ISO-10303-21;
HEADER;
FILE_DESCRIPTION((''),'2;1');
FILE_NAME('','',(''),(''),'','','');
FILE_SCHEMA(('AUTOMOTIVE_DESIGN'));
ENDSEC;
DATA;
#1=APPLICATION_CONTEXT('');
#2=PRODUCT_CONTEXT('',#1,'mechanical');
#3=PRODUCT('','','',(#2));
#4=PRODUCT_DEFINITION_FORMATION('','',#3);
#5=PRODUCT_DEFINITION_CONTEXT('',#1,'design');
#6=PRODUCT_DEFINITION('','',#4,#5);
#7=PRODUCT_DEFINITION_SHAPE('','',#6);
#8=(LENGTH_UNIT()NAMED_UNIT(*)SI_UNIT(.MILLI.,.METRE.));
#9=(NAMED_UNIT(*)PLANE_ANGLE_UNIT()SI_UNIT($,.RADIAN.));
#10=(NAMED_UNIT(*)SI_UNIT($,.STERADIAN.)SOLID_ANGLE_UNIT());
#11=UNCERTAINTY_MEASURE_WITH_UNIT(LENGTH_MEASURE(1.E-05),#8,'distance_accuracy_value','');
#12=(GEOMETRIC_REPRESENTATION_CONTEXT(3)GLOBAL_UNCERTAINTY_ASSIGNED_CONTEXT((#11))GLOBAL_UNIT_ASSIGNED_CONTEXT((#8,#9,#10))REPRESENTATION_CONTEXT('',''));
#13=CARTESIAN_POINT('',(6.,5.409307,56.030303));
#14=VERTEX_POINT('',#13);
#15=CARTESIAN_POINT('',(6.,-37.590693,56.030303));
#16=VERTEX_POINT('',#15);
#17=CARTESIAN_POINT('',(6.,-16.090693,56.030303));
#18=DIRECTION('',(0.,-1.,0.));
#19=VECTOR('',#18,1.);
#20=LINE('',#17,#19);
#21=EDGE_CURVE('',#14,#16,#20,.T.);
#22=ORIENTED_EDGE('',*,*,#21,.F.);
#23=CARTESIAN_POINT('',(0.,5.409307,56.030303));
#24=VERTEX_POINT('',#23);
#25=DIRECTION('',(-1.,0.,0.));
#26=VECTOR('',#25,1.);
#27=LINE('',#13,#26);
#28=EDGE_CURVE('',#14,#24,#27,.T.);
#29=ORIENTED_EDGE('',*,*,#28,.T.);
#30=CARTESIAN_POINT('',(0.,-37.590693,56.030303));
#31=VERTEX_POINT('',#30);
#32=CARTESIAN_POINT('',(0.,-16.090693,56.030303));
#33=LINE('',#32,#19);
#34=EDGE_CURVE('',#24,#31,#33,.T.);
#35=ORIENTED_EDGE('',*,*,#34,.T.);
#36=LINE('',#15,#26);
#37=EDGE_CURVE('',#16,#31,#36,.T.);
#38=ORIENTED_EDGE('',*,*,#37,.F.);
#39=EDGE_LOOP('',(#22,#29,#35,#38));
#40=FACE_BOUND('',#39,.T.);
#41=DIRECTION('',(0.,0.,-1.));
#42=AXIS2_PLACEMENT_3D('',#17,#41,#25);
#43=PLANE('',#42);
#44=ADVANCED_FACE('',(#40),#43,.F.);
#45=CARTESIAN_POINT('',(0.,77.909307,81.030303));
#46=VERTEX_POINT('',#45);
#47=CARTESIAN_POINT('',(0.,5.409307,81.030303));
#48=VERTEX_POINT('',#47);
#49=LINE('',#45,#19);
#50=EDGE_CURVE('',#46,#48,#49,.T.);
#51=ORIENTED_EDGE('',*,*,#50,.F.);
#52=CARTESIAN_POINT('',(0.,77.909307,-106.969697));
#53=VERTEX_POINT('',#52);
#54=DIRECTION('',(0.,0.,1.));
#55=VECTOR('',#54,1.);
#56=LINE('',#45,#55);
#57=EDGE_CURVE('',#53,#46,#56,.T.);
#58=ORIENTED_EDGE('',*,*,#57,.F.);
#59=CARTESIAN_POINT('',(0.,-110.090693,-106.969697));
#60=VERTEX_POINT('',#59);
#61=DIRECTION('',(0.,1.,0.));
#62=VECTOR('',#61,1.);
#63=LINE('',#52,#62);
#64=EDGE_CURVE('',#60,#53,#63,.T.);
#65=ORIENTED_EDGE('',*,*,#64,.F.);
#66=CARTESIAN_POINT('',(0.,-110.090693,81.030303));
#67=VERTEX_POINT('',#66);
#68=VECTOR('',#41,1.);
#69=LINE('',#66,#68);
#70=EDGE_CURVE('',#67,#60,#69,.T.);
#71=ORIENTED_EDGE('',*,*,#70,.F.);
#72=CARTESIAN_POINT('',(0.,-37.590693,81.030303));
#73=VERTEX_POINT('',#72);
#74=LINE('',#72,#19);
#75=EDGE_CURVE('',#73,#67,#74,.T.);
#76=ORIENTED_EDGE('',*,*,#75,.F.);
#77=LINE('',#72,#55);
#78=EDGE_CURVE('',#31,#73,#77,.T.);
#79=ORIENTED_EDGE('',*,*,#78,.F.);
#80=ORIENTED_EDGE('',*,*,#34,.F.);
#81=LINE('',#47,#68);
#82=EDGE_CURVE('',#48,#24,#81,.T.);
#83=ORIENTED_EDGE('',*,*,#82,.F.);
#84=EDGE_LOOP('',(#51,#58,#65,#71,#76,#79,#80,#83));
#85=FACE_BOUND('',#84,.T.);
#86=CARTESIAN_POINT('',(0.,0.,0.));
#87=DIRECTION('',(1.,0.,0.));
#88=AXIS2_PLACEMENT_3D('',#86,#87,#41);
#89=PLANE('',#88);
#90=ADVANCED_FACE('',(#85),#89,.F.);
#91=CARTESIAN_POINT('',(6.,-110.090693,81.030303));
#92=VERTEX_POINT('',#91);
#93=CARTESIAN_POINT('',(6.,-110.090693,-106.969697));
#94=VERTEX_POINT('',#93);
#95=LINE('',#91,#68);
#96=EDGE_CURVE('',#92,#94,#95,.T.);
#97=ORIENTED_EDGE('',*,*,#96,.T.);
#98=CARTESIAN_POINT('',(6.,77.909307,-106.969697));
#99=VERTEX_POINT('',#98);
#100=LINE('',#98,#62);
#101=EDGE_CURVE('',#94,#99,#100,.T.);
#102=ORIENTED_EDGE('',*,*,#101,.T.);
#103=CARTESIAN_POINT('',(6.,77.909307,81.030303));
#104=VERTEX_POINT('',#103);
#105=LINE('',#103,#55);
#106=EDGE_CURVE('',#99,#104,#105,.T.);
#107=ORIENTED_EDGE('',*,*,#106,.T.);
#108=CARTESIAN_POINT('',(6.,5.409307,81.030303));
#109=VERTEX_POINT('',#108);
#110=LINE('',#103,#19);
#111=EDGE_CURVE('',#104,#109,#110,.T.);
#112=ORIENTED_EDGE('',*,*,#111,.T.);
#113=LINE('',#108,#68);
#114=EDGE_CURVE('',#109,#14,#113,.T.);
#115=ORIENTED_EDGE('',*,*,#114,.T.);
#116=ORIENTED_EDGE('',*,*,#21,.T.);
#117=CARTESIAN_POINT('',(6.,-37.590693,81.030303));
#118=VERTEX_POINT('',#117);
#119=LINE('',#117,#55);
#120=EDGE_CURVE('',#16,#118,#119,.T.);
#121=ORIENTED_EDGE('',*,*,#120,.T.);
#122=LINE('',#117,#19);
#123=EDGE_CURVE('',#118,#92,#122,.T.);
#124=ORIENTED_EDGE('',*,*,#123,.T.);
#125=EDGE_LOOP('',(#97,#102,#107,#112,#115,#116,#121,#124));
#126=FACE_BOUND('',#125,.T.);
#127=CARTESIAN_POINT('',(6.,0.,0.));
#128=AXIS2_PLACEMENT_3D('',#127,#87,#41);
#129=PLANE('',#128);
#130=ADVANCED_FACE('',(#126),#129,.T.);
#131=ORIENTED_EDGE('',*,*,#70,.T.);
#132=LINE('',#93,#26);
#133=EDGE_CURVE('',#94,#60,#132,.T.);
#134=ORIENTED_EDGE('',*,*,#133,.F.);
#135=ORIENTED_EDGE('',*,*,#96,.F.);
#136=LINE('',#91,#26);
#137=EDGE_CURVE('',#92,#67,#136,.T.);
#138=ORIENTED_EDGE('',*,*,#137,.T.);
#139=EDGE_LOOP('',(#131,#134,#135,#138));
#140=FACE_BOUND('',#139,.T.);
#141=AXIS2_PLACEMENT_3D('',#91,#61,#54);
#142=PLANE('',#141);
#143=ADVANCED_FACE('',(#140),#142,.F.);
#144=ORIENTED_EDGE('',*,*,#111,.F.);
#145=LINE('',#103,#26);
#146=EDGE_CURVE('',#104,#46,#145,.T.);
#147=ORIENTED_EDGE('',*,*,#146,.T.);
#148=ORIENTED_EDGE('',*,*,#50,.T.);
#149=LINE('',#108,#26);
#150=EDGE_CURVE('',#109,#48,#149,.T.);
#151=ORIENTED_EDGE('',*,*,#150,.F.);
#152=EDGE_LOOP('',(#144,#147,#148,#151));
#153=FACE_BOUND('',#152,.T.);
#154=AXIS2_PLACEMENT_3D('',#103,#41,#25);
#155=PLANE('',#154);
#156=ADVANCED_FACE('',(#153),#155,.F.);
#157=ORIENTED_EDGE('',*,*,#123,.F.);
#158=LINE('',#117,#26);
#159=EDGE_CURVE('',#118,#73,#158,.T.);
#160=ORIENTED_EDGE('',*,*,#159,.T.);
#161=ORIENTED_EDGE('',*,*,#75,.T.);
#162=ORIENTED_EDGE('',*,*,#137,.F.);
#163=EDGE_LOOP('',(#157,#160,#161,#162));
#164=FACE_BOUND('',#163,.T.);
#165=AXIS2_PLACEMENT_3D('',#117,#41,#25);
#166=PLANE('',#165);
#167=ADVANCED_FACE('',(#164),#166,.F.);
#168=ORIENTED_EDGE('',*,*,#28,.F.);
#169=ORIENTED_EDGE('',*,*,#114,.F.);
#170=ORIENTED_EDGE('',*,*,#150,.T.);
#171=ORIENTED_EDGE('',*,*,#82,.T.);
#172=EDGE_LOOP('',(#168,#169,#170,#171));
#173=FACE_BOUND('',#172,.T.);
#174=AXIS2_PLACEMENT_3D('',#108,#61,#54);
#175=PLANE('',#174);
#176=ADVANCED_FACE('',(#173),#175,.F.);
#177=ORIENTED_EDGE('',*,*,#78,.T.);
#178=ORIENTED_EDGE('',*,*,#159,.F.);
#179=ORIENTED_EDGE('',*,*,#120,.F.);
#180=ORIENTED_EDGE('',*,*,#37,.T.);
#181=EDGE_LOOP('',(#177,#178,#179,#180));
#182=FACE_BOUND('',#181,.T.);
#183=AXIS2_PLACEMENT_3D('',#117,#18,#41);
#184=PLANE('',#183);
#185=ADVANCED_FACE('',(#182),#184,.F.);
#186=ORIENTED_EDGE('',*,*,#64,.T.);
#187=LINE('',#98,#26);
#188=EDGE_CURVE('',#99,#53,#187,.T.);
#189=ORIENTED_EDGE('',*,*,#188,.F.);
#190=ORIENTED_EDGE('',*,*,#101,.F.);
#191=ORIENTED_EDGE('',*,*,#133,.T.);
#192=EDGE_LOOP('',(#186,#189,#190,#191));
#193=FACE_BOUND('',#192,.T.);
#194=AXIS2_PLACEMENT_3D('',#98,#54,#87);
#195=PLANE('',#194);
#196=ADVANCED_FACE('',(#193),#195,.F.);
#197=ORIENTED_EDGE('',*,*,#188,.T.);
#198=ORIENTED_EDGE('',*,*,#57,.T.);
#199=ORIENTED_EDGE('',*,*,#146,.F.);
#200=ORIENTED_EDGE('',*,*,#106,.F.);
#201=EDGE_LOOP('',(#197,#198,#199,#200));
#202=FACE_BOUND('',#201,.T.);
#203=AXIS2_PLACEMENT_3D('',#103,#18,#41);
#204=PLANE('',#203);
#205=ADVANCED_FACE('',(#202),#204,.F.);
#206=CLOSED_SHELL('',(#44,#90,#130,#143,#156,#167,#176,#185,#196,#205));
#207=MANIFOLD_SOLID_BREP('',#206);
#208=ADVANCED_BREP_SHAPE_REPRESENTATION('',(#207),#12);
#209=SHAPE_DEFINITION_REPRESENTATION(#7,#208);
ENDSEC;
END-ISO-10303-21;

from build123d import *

# Parameters (mm, degrees)
BOSS_EXTRUDE1_DEPTH = 6


with BuildPart() as part:
    # Sketch1 → Boss-Extrude1 (new body)
    with BuildSketch(Plane(origin=(0, 0, 0), x_dir=(0, 0, -1), z_dir=(1, 0, 0))):
        Polygon((-81.03030303, -37.59069275), (-81.03030303, -110.09069275), (106.96969697, -110.09069275), (106.96969697, 77.90930725), (-81.03030303, 77.90930725), (-81.03030303, 5.40930725), (-56.03030303, 5.40930725), (-56.03030303, -16.09069275), (-56.03030303, -37.59069275), align=None)
    extrude(amount=BOSS_EXTRUDE1_DEPTH)


solid = part.part
